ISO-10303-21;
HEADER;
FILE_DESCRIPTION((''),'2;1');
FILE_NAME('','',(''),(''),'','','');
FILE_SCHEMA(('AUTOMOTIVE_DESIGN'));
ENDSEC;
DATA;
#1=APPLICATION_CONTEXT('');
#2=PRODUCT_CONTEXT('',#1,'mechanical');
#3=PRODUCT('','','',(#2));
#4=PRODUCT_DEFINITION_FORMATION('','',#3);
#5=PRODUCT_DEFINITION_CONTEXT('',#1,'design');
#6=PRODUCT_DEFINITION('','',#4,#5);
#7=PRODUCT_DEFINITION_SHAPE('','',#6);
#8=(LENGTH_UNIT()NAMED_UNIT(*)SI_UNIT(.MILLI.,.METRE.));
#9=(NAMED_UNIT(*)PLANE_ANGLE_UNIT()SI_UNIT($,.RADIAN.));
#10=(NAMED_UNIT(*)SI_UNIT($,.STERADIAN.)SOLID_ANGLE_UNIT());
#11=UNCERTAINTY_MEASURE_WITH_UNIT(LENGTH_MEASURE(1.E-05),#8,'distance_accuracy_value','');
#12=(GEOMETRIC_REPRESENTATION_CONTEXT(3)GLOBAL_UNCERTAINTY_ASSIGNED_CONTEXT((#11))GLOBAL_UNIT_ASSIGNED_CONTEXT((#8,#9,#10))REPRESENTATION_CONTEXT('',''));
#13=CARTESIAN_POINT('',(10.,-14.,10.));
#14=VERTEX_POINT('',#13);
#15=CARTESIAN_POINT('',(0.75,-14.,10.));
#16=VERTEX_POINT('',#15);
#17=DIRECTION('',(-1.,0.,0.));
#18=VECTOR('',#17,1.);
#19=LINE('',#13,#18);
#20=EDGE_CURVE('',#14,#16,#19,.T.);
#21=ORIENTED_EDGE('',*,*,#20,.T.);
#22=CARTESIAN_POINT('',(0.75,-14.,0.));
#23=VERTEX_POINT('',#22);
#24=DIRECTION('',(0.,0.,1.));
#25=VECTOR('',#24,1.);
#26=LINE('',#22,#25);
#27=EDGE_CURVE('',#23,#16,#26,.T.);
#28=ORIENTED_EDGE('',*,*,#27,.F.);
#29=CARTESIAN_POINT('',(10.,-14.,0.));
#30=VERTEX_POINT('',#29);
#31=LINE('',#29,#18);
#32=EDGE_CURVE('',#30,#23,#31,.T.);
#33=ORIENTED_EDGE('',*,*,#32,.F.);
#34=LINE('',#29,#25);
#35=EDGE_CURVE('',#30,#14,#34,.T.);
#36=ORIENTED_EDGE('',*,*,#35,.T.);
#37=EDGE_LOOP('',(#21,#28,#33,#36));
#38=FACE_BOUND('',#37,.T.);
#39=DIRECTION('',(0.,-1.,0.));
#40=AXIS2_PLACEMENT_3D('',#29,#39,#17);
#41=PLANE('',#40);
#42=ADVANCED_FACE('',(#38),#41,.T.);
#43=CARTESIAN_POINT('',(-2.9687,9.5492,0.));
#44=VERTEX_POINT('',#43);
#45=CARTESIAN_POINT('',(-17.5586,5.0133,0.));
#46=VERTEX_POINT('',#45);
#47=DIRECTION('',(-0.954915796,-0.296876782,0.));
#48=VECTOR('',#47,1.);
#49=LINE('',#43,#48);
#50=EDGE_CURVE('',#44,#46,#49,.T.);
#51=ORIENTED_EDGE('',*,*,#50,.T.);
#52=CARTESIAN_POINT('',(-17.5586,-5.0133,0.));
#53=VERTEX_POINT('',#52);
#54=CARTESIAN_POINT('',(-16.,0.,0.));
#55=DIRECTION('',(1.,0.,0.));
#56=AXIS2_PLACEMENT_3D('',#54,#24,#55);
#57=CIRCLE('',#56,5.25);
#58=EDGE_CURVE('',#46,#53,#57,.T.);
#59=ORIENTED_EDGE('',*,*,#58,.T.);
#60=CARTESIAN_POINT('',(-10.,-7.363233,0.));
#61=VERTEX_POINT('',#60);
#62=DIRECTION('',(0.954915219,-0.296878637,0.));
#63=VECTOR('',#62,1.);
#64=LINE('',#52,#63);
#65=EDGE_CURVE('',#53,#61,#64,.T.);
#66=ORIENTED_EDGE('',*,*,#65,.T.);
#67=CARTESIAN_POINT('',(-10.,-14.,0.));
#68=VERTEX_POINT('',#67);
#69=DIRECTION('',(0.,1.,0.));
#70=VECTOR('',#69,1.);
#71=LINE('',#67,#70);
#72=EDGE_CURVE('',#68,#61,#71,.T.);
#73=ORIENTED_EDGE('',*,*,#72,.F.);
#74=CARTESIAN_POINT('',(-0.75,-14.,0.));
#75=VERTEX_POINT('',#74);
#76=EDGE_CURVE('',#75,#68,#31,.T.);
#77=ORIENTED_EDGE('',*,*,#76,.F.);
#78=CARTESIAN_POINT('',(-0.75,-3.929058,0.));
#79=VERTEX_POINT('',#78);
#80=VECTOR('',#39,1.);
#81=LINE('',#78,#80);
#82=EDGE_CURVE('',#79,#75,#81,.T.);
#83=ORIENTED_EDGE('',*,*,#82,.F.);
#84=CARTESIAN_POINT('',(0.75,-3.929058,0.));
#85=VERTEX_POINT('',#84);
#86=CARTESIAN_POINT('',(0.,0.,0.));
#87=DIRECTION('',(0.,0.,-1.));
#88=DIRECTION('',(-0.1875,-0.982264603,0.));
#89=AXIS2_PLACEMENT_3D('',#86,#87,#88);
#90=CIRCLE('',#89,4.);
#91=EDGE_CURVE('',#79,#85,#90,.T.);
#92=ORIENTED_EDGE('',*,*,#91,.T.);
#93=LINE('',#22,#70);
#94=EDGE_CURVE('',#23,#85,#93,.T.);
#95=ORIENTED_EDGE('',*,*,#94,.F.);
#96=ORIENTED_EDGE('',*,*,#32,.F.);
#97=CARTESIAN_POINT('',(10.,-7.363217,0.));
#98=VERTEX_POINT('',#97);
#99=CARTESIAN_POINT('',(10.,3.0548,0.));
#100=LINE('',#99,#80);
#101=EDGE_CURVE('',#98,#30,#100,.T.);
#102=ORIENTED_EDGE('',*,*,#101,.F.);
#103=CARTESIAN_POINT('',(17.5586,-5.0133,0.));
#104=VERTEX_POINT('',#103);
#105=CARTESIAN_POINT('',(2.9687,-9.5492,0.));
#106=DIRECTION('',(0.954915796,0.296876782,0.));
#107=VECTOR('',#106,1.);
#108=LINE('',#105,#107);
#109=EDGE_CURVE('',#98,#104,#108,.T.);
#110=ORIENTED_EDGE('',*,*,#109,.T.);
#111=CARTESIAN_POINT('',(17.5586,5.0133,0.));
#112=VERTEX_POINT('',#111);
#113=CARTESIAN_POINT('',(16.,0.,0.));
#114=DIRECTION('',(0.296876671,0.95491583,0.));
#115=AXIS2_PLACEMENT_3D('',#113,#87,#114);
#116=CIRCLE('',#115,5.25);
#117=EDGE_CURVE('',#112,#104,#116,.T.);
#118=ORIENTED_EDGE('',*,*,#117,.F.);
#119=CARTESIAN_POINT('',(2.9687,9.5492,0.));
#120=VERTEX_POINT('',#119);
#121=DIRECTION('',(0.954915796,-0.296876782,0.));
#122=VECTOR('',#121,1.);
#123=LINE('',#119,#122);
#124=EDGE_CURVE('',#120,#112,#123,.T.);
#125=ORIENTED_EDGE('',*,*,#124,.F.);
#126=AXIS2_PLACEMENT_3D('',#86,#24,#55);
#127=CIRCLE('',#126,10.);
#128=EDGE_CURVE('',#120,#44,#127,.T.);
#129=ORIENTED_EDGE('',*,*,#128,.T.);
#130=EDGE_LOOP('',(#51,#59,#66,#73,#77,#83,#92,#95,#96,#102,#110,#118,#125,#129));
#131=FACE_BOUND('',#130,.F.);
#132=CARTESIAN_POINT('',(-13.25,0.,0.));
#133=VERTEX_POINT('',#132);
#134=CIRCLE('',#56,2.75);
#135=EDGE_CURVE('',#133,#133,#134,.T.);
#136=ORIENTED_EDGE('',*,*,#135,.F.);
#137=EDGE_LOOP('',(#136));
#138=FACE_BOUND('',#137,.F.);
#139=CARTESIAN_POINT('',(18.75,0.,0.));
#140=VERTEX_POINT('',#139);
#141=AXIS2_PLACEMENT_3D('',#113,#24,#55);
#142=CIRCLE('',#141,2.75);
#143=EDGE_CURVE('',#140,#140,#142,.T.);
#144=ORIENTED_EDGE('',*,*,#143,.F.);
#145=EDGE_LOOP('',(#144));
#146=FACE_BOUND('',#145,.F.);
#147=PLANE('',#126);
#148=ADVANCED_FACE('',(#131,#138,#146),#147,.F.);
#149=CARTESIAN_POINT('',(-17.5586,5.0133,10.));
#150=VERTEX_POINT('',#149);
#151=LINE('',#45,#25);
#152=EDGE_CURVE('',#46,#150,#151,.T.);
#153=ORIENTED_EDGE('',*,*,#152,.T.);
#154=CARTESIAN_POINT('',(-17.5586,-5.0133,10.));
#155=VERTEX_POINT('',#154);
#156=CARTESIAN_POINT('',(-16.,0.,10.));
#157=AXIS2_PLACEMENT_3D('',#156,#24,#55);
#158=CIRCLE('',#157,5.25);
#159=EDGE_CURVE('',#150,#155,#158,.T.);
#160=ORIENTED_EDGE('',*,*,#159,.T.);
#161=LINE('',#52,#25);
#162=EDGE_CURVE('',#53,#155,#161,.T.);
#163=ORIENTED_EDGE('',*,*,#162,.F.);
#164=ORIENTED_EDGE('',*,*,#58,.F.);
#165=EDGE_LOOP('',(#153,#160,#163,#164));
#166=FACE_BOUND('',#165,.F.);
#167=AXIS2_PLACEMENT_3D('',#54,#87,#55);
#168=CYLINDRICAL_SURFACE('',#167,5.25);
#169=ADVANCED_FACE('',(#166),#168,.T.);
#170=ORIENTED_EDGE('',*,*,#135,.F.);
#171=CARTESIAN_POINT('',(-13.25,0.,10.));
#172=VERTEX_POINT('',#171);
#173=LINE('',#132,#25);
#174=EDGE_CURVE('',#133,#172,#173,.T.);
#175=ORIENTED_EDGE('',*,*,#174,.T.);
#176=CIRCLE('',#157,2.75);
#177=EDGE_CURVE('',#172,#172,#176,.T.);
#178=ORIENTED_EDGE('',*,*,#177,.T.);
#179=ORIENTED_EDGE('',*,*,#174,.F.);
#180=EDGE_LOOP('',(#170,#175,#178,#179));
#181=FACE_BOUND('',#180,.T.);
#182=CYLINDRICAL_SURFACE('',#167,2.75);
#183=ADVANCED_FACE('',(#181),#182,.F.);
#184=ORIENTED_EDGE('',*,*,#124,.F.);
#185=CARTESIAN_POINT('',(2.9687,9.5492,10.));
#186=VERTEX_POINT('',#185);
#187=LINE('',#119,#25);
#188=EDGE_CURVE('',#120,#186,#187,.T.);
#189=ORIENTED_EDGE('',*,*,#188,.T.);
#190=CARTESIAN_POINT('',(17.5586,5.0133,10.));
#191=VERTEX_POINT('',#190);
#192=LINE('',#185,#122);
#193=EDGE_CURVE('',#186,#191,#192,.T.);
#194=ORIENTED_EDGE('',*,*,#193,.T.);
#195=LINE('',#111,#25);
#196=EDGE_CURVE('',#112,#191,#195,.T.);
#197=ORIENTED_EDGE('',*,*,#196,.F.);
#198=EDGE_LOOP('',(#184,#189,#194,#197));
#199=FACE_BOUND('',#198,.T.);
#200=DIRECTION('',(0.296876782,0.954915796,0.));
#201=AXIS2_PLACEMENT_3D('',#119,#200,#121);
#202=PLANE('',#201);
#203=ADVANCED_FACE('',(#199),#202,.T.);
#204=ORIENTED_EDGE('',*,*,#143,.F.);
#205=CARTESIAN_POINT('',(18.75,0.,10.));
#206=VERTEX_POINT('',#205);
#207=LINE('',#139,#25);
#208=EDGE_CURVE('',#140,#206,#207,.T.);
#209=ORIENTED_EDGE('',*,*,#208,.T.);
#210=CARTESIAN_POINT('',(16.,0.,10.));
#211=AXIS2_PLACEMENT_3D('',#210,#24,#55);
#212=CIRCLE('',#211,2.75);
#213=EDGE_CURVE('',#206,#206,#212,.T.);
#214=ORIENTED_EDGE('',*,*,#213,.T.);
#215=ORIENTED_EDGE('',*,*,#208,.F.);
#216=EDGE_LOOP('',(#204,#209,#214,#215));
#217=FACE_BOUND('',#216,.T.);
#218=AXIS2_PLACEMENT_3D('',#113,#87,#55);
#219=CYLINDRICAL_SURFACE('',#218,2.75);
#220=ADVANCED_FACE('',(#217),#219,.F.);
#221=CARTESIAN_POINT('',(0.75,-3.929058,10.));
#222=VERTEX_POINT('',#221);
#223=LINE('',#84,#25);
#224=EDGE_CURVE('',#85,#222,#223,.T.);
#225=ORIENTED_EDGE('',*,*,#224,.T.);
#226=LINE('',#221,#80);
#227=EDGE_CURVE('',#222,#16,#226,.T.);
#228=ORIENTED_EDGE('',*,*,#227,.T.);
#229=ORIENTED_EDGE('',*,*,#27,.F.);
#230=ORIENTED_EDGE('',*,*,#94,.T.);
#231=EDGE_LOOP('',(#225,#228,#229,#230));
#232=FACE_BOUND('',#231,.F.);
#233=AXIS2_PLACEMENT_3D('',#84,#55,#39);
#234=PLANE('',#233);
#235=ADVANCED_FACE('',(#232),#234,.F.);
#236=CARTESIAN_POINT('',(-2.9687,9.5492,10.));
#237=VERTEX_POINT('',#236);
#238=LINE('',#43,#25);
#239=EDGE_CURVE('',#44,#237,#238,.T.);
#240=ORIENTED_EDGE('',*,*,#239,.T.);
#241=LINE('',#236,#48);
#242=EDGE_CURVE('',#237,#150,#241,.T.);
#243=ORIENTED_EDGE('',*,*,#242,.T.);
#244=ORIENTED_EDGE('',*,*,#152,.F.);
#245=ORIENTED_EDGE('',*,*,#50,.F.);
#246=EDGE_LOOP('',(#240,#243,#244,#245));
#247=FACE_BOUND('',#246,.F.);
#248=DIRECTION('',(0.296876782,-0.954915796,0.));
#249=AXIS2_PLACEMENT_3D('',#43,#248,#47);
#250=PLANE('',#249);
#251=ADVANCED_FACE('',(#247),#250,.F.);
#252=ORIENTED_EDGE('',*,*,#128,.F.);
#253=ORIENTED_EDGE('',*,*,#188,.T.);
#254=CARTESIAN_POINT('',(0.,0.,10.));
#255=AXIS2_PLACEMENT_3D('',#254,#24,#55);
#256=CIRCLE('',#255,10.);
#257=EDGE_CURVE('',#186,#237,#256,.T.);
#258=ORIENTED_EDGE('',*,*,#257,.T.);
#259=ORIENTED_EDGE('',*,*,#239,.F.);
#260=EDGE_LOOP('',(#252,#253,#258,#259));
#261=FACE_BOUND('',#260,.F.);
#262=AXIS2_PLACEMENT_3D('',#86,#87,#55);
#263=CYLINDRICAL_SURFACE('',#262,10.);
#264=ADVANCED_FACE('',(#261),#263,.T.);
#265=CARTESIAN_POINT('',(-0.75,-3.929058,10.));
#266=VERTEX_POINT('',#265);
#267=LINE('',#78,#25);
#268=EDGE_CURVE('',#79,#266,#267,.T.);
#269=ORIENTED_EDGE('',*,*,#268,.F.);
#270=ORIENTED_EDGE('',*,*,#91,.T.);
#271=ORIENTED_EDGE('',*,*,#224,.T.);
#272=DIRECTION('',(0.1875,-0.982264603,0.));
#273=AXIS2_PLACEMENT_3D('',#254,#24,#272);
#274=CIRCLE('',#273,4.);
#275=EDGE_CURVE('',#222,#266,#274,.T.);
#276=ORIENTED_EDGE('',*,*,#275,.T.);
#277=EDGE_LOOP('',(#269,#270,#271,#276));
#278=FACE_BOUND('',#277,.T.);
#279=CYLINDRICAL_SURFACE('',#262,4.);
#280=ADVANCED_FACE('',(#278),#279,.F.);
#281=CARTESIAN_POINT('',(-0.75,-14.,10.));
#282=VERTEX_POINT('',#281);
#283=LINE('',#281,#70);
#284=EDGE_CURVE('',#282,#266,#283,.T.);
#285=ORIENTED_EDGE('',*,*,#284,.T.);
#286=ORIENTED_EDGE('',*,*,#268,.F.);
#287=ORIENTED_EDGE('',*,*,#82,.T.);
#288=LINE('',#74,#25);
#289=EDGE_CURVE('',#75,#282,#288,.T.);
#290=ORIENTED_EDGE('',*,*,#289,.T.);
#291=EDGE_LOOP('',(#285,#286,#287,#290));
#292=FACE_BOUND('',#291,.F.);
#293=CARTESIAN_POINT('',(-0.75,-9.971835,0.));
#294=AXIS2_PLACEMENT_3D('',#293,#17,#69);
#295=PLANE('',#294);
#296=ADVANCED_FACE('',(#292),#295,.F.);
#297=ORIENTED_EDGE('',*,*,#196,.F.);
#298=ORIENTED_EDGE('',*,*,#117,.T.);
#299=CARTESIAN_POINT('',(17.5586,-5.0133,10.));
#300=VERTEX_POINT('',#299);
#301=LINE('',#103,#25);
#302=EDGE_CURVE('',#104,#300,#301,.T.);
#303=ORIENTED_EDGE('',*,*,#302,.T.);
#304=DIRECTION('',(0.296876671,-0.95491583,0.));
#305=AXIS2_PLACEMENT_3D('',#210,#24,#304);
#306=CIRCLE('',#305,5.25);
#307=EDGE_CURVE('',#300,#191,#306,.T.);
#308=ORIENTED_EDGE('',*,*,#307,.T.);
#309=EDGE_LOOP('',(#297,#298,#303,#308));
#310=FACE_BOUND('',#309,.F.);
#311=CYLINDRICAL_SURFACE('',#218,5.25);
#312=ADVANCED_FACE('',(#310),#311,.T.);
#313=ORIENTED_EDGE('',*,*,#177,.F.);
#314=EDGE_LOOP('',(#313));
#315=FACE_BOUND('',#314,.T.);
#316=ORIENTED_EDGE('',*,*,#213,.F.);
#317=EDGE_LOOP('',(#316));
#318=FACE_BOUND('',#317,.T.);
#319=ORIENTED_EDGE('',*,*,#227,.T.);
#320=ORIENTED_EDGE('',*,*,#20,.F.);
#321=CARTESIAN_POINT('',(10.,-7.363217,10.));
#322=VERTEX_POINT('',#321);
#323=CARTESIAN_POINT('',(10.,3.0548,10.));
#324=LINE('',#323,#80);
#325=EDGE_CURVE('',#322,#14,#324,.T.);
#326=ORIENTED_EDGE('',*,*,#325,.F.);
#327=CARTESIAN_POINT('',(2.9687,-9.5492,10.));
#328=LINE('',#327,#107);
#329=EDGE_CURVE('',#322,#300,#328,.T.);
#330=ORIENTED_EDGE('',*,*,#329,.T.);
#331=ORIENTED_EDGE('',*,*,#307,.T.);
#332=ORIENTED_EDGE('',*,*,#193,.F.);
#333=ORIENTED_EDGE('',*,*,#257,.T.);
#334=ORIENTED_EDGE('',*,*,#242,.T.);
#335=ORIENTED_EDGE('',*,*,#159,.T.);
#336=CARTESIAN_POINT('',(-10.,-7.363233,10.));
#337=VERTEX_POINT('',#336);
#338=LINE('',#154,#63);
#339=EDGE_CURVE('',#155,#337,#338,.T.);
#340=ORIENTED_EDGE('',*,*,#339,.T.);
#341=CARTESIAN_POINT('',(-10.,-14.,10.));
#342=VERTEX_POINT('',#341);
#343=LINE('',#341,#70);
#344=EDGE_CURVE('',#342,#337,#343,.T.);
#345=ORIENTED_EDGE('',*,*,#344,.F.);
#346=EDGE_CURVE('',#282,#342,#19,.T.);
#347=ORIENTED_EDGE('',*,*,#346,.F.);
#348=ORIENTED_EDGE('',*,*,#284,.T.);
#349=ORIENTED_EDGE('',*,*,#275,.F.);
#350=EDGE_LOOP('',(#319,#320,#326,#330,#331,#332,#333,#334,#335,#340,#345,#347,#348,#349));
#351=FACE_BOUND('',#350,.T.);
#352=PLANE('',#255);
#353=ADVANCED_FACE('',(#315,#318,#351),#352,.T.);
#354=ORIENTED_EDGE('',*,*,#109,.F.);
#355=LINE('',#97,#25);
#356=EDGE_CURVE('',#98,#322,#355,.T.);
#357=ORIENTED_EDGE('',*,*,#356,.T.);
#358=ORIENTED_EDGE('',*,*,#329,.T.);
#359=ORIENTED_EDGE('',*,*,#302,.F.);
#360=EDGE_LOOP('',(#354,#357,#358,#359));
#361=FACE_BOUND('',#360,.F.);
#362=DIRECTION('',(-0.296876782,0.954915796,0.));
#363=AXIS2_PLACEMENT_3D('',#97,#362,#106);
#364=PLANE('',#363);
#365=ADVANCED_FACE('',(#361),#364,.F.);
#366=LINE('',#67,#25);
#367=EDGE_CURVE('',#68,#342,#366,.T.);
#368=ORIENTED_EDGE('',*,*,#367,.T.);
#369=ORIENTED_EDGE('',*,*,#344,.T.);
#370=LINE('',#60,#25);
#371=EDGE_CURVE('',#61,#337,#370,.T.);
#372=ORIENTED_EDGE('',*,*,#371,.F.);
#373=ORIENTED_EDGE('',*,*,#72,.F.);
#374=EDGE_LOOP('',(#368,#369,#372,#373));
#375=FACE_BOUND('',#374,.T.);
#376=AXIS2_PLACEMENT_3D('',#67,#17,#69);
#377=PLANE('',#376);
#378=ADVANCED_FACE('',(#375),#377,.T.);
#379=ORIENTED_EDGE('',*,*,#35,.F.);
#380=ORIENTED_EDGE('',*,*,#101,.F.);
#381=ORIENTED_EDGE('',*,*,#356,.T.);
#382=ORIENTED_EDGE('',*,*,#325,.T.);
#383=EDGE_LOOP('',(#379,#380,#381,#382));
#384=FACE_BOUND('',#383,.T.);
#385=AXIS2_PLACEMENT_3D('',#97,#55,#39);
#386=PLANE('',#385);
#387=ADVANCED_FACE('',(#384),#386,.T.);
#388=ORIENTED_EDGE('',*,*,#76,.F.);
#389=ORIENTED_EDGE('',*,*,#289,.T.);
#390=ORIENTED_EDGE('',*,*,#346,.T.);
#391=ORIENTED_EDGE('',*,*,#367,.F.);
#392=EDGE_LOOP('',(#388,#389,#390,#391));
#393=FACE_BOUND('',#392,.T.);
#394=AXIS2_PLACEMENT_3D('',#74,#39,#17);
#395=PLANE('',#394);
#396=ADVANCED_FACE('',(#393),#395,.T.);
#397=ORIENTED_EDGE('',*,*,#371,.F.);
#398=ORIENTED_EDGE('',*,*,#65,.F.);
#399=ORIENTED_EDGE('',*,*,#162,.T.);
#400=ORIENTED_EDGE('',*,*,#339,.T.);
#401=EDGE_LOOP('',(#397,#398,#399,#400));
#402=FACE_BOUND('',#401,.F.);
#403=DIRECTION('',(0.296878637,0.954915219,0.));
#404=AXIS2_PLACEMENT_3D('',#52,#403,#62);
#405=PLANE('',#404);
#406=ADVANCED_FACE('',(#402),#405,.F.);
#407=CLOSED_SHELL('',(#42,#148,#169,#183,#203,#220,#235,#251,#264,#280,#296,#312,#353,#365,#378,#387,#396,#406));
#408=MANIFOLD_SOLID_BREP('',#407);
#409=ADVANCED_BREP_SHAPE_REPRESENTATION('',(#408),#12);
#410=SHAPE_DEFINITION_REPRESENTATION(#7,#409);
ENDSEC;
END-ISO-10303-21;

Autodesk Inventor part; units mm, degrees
ref_plane "YZ Plane" through (0, 0, 0) normal (1, 0, 0) x (0, 1, 0)
ref_plane "XZ Plane" through (0, 0, 0) normal (0, 1, 0) x (-1, 0, 0)
ref_plane "XY Plane" through (0, 0, 0) normal (0, 0, 1) x (1, 0, 0)
sketch "Sketch1" plane through (0, 0, 0) normal (0, 0, 1) x (1, 0, 0)
  circle A0 centre (-16, 0) radius 2.75
  circle A1 centre (16, 0) radius 2.75
  circle A2 centre (0, 0) radius 4
  circle A3 centre (-16, 0) radius 5.25
  circle A4 centre (16, 0) radius 5.25
  circle A5 centre (0, 0) radius 10
  line L0 (-2.9687, 9.5492) -> (-17.5586, 5.0133)
  line L1 (2.9687, 9.5492) -> (17.5586, 5.0133)
  line L2 (-17.5586, -5.0133) -> (-2.9688, -9.5492)
  line L3 (2.9687, -9.5492) -> (17.5586, -5.0133)
  line L4 (-10, 3.0548) -> (10, 3.0548)
  line L5 (10, 3.0548) -> (10, -14)
  line L6 (10, -14) -> (-10, -14)
  line L7 (-10, -14) -> (-10, 3.0548)
  line L8 (-0.75, 0) -> (0.75, 0)
  line L9 (0.75, 0) -> (0.75, -14)
  line L10 (0.75, -14) -> (-0.75, -14)
  line L11 (-0.75, -14) -> (-0.75, 0)
  point P0 (-9.522, 3.0548)
  point P1 (-10, 0)
  point P2 (-10, -7.3632)
  point P3 (-0.75, -3.9291)
  point P4 (0.75, -3.9291)
  point P5 (10, -7.3632)
  point P6 (9.522, 3.0548)
  point P7 (10, 0)
  dimension "d0" = 5.5
  dimension "d1" = 5.5
  dimension "d2" = 32
  dimension "d3" = 16
  dimension "d4" = 8
  dimension "d5" = 10.5
  dimension "d6" = 10.5
  dimension "d7" = 20
  dimension "d8" = 0
  dimension "d9" = 0
  dimension "d10" = 14
  dimension "d11" = 20
  dimension "d12" = 10
  dimension "d13" = 1.5
  dimension "d14" = 0.75
extrude "Extrusion1" add sketch "Sketch1" along normal blind 10 contours A2 L4 A5 L9 | A2 L4 A5 | A2 L11 A5 L4 | L4 L5 A5 | A5 L1 A4 L3 L5 L4 | A5 L3 L5 L6 L9 | L4 L7 L2 A3 L0 A5 | A5 L7 L4 | L5 L3 A5 | L11 L6 L7 L2 A5 | A5 L2 L7 | A4 | A3
properties part number "SHF08"
